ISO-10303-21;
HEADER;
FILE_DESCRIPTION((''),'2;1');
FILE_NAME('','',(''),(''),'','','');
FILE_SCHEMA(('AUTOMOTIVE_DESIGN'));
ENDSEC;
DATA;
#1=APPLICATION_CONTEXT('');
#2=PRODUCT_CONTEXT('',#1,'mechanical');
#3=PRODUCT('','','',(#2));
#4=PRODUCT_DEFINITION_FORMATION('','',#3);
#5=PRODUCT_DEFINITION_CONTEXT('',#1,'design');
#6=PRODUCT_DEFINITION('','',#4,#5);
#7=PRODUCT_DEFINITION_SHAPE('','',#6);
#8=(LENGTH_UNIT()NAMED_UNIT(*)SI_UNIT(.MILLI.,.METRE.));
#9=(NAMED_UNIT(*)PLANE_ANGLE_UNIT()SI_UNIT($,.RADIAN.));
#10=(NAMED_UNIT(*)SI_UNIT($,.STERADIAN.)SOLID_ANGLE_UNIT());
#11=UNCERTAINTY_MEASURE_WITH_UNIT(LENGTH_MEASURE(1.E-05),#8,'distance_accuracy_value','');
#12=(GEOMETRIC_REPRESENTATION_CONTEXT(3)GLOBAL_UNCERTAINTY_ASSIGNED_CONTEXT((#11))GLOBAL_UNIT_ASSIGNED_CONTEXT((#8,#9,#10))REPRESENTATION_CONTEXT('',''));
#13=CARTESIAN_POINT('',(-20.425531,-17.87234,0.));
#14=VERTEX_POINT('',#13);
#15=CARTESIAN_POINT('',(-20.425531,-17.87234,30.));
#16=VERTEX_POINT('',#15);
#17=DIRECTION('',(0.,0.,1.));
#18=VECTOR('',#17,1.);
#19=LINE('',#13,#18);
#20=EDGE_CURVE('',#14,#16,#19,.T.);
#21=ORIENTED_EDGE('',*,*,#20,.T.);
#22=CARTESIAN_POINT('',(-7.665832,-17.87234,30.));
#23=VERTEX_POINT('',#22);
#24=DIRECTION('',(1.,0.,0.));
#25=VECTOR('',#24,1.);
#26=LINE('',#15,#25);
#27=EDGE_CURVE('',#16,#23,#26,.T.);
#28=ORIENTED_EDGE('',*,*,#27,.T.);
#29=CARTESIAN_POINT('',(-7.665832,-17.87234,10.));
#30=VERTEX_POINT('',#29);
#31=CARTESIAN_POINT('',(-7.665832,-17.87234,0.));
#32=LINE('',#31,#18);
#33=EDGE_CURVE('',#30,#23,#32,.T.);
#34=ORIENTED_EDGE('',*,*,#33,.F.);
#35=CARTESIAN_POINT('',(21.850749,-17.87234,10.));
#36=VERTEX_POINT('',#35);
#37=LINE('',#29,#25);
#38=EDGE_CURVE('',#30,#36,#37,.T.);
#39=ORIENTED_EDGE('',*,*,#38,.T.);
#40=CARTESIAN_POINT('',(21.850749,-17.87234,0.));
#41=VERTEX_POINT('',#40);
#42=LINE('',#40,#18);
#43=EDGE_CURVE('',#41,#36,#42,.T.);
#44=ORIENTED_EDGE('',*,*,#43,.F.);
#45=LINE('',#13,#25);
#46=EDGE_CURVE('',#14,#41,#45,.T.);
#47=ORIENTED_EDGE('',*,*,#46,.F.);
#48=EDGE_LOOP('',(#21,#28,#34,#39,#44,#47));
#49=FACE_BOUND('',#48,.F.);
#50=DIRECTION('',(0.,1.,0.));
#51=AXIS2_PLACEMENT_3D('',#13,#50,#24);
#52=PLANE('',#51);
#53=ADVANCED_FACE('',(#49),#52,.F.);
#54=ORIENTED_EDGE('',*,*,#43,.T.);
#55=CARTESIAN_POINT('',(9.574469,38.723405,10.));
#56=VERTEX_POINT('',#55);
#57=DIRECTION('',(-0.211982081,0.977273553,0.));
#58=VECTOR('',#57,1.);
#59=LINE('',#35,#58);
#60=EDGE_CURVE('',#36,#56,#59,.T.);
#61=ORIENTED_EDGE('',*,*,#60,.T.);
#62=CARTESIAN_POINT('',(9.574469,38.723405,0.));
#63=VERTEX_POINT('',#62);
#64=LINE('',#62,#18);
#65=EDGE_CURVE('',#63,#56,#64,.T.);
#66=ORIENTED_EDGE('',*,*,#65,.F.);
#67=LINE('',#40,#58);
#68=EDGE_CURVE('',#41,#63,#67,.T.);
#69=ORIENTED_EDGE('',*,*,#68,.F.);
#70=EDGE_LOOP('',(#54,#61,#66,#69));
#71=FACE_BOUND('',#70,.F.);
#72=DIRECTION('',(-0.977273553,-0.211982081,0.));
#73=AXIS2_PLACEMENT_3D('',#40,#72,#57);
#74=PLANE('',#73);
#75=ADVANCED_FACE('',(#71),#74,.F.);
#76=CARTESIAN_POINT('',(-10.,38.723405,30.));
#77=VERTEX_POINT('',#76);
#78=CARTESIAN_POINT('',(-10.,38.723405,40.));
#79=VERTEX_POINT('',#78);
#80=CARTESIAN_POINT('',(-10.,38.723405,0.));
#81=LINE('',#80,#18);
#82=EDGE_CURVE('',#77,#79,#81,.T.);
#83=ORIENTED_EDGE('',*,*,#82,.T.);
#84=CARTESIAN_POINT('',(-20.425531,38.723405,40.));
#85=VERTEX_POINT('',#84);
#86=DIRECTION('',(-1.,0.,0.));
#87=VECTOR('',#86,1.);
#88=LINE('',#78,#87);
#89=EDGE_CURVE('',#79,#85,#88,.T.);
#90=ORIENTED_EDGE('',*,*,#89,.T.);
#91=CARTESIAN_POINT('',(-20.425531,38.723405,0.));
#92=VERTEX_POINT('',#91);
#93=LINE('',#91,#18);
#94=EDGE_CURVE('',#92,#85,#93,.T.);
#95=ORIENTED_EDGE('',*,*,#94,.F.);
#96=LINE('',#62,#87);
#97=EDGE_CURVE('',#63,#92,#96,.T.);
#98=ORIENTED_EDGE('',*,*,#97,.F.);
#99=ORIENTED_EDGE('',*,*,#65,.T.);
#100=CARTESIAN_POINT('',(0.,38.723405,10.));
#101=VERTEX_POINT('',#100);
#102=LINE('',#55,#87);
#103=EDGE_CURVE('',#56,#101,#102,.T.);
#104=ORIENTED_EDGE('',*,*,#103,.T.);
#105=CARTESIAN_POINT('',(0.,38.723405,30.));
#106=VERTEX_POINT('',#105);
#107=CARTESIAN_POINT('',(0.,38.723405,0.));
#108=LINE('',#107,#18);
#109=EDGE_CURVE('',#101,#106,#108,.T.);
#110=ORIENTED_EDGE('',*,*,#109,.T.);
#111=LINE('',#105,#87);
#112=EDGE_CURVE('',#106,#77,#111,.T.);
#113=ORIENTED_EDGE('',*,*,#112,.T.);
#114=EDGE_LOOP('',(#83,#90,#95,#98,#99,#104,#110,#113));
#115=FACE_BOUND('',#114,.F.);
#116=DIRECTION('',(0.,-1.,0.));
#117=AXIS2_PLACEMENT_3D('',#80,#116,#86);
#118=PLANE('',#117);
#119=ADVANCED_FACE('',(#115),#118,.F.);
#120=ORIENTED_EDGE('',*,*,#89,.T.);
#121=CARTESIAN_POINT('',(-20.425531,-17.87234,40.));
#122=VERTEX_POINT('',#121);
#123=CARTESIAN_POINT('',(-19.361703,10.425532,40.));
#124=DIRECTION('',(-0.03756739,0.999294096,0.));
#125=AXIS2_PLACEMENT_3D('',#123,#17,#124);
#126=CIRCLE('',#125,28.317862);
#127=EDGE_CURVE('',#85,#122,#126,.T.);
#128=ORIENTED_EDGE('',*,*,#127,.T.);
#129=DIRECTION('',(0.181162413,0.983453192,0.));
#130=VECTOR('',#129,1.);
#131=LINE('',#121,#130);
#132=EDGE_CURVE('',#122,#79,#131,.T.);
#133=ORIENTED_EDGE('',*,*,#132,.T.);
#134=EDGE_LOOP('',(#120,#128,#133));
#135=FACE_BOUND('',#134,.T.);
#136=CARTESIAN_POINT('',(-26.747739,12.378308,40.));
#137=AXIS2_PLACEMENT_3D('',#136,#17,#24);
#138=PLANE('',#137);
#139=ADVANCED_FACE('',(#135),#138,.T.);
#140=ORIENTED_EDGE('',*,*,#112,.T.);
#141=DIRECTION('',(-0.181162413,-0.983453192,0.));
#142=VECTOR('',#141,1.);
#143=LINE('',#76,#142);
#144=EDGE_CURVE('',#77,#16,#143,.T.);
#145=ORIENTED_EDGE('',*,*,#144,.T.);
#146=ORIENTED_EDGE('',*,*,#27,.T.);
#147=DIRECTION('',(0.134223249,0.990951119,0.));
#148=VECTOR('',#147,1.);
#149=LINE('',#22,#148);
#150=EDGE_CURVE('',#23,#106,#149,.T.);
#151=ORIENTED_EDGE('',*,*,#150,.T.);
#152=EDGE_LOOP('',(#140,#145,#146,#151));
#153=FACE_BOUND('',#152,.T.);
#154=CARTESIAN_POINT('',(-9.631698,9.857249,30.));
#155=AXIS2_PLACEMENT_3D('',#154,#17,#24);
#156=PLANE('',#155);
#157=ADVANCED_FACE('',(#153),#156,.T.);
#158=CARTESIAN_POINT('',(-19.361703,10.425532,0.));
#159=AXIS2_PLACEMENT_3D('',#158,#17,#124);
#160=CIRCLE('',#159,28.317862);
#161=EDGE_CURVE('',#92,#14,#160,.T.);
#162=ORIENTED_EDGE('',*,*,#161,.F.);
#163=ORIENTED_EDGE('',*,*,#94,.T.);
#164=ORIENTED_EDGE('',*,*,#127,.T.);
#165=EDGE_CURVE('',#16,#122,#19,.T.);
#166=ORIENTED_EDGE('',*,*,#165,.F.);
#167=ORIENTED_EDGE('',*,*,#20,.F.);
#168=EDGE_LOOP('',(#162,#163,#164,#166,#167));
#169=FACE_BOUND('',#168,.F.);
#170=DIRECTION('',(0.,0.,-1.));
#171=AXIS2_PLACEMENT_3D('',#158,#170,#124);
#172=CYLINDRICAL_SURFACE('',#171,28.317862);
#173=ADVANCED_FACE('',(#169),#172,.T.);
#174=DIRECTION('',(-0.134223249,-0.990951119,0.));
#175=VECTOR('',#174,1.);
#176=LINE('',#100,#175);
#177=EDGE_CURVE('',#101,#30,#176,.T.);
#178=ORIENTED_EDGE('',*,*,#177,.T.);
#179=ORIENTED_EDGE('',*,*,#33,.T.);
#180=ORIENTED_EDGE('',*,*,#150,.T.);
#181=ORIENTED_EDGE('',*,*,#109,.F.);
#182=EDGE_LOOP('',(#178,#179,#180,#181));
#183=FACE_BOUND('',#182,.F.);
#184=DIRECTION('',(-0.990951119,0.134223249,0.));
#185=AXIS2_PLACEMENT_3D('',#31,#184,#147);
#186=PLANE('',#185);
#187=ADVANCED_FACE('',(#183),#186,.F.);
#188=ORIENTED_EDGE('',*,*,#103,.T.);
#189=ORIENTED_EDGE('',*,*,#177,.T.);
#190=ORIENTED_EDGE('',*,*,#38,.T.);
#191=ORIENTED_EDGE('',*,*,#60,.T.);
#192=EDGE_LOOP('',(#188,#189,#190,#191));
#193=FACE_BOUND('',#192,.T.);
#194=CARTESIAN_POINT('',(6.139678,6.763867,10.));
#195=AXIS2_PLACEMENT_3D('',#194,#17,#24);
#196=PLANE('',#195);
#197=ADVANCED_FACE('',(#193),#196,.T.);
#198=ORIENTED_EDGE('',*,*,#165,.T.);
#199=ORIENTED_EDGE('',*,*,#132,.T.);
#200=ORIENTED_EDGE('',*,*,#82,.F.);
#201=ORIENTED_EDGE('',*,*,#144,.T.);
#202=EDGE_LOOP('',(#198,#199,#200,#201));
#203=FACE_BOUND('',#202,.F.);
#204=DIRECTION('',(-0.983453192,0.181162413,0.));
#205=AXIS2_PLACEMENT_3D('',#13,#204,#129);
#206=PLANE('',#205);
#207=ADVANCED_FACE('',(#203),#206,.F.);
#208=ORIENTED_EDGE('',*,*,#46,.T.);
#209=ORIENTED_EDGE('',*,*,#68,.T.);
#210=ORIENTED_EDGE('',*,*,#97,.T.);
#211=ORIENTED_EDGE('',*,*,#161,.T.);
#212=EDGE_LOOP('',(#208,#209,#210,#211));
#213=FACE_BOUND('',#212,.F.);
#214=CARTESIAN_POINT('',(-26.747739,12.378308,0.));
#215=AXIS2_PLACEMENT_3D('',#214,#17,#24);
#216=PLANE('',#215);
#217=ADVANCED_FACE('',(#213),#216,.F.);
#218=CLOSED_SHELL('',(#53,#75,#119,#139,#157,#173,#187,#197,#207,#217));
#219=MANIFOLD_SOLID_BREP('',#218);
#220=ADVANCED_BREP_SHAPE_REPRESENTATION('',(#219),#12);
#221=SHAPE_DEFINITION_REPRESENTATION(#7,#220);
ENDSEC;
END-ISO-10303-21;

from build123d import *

# Parameters (mm, degrees)
F1_DEPTH = 10
F2_DEPTH = 30
F3_DEPTH = 40


with BuildPart() as f1:
    # F0 (on Top) → F1 (new body)
    with BuildSketch(Plane.XY):
        Polygon((21.850749, -17.87234), (9.574469, 38.723405), (0, 38.723405), (-7.665832, -17.87234), align=None)
    extrude(amount=F1_DEPTH)

    # F0 (on Top) → F2 (join)
    with BuildSketch(Plane.XY):
        Polygon((-7.665832, -17.87234), (0, 38.723405), (-10, 38.723405), (-20.425531, -17.87234), align=None)
    extrude(amount=F2_DEPTH)

    # F0 (on Top) → F3 (join)
    with BuildSketch(Plane.XY):
        with BuildLine():
            Line((-20.425531, -17.87234), (-10, 38.723405))
            Line((-10, 38.723405), (-20.425531, 38.723405))
            ThreePointArc((-20.425531, 38.723405), (-47.679565, 10.425532), (-20.425531, -17.87234))
        make_face()
    extrude(amount=F3_DEPTH)


solid = f1.part
